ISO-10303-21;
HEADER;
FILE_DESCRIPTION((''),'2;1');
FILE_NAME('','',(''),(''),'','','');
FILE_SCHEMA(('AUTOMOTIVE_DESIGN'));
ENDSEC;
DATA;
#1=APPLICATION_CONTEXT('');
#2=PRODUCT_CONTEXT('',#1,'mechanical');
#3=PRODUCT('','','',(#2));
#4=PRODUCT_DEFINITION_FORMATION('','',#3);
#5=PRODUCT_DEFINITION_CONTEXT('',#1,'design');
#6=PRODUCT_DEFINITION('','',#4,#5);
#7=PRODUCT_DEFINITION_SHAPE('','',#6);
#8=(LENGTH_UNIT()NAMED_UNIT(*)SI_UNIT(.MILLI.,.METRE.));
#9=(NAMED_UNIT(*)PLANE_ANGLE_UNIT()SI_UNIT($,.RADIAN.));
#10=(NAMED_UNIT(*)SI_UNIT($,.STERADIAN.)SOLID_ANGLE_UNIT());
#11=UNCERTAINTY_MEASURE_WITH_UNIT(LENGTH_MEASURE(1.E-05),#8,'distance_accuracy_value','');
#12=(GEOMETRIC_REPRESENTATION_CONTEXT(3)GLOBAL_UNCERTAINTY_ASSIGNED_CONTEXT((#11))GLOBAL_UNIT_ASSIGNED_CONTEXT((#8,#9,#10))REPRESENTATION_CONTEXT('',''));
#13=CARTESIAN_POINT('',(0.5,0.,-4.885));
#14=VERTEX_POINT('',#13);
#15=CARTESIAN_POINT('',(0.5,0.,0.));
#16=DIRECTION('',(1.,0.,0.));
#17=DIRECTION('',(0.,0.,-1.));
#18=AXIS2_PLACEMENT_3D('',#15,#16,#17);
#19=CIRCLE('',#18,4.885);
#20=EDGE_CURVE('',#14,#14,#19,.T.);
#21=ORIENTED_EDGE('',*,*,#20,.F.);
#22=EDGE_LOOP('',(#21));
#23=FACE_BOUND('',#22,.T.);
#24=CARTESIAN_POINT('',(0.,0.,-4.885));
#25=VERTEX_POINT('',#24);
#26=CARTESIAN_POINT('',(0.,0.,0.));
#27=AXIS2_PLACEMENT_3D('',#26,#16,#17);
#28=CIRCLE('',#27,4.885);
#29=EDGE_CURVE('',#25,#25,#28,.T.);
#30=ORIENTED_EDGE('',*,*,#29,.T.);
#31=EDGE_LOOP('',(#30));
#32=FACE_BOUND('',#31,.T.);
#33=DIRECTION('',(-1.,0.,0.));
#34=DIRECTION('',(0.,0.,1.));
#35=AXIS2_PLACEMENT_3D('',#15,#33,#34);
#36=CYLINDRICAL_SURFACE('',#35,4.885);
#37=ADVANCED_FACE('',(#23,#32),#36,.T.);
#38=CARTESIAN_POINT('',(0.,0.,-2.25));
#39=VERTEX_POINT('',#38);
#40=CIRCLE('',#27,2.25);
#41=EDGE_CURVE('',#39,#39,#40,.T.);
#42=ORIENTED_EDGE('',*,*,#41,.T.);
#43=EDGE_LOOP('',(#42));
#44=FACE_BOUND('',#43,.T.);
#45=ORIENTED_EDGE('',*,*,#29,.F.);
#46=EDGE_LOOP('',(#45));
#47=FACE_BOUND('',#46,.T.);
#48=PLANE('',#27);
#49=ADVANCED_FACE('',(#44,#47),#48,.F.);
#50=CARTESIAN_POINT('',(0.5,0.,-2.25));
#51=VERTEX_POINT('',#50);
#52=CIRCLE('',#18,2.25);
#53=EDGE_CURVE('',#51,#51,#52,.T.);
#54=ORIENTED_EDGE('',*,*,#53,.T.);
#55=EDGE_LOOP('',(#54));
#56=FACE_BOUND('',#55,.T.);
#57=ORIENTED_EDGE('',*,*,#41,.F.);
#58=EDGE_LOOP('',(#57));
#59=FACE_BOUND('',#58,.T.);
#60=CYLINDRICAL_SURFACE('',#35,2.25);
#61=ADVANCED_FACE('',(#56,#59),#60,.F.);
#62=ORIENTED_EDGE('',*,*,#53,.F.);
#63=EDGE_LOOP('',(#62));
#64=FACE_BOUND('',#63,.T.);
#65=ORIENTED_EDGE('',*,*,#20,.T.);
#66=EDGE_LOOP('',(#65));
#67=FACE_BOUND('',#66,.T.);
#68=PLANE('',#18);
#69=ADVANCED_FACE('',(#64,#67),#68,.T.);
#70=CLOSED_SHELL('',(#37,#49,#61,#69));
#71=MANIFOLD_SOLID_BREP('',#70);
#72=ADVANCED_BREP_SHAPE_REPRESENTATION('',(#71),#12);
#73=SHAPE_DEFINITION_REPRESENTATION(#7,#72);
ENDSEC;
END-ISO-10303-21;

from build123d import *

# Parameters (mm, degrees)
SKETCH1_R           = 4.885
SKETCH1_R_2         = 2.25
BOSS_EXTRUDE1_DEPTH = 0.5


with BuildPart() as part:
    # Sketch1 → Boss-Extrude1 (new body)
    with BuildSketch(Plane(origin=(0, 0, 0), x_dir=(0, 0, -1), z_dir=(1, 0, 0))):
        Circle(SKETCH1_R)
        Circle(SKETCH1_R_2, mode=Mode.SUBTRACT)
    extrude(amount=BOSS_EXTRUDE1_DEPTH)


solid = part.part
